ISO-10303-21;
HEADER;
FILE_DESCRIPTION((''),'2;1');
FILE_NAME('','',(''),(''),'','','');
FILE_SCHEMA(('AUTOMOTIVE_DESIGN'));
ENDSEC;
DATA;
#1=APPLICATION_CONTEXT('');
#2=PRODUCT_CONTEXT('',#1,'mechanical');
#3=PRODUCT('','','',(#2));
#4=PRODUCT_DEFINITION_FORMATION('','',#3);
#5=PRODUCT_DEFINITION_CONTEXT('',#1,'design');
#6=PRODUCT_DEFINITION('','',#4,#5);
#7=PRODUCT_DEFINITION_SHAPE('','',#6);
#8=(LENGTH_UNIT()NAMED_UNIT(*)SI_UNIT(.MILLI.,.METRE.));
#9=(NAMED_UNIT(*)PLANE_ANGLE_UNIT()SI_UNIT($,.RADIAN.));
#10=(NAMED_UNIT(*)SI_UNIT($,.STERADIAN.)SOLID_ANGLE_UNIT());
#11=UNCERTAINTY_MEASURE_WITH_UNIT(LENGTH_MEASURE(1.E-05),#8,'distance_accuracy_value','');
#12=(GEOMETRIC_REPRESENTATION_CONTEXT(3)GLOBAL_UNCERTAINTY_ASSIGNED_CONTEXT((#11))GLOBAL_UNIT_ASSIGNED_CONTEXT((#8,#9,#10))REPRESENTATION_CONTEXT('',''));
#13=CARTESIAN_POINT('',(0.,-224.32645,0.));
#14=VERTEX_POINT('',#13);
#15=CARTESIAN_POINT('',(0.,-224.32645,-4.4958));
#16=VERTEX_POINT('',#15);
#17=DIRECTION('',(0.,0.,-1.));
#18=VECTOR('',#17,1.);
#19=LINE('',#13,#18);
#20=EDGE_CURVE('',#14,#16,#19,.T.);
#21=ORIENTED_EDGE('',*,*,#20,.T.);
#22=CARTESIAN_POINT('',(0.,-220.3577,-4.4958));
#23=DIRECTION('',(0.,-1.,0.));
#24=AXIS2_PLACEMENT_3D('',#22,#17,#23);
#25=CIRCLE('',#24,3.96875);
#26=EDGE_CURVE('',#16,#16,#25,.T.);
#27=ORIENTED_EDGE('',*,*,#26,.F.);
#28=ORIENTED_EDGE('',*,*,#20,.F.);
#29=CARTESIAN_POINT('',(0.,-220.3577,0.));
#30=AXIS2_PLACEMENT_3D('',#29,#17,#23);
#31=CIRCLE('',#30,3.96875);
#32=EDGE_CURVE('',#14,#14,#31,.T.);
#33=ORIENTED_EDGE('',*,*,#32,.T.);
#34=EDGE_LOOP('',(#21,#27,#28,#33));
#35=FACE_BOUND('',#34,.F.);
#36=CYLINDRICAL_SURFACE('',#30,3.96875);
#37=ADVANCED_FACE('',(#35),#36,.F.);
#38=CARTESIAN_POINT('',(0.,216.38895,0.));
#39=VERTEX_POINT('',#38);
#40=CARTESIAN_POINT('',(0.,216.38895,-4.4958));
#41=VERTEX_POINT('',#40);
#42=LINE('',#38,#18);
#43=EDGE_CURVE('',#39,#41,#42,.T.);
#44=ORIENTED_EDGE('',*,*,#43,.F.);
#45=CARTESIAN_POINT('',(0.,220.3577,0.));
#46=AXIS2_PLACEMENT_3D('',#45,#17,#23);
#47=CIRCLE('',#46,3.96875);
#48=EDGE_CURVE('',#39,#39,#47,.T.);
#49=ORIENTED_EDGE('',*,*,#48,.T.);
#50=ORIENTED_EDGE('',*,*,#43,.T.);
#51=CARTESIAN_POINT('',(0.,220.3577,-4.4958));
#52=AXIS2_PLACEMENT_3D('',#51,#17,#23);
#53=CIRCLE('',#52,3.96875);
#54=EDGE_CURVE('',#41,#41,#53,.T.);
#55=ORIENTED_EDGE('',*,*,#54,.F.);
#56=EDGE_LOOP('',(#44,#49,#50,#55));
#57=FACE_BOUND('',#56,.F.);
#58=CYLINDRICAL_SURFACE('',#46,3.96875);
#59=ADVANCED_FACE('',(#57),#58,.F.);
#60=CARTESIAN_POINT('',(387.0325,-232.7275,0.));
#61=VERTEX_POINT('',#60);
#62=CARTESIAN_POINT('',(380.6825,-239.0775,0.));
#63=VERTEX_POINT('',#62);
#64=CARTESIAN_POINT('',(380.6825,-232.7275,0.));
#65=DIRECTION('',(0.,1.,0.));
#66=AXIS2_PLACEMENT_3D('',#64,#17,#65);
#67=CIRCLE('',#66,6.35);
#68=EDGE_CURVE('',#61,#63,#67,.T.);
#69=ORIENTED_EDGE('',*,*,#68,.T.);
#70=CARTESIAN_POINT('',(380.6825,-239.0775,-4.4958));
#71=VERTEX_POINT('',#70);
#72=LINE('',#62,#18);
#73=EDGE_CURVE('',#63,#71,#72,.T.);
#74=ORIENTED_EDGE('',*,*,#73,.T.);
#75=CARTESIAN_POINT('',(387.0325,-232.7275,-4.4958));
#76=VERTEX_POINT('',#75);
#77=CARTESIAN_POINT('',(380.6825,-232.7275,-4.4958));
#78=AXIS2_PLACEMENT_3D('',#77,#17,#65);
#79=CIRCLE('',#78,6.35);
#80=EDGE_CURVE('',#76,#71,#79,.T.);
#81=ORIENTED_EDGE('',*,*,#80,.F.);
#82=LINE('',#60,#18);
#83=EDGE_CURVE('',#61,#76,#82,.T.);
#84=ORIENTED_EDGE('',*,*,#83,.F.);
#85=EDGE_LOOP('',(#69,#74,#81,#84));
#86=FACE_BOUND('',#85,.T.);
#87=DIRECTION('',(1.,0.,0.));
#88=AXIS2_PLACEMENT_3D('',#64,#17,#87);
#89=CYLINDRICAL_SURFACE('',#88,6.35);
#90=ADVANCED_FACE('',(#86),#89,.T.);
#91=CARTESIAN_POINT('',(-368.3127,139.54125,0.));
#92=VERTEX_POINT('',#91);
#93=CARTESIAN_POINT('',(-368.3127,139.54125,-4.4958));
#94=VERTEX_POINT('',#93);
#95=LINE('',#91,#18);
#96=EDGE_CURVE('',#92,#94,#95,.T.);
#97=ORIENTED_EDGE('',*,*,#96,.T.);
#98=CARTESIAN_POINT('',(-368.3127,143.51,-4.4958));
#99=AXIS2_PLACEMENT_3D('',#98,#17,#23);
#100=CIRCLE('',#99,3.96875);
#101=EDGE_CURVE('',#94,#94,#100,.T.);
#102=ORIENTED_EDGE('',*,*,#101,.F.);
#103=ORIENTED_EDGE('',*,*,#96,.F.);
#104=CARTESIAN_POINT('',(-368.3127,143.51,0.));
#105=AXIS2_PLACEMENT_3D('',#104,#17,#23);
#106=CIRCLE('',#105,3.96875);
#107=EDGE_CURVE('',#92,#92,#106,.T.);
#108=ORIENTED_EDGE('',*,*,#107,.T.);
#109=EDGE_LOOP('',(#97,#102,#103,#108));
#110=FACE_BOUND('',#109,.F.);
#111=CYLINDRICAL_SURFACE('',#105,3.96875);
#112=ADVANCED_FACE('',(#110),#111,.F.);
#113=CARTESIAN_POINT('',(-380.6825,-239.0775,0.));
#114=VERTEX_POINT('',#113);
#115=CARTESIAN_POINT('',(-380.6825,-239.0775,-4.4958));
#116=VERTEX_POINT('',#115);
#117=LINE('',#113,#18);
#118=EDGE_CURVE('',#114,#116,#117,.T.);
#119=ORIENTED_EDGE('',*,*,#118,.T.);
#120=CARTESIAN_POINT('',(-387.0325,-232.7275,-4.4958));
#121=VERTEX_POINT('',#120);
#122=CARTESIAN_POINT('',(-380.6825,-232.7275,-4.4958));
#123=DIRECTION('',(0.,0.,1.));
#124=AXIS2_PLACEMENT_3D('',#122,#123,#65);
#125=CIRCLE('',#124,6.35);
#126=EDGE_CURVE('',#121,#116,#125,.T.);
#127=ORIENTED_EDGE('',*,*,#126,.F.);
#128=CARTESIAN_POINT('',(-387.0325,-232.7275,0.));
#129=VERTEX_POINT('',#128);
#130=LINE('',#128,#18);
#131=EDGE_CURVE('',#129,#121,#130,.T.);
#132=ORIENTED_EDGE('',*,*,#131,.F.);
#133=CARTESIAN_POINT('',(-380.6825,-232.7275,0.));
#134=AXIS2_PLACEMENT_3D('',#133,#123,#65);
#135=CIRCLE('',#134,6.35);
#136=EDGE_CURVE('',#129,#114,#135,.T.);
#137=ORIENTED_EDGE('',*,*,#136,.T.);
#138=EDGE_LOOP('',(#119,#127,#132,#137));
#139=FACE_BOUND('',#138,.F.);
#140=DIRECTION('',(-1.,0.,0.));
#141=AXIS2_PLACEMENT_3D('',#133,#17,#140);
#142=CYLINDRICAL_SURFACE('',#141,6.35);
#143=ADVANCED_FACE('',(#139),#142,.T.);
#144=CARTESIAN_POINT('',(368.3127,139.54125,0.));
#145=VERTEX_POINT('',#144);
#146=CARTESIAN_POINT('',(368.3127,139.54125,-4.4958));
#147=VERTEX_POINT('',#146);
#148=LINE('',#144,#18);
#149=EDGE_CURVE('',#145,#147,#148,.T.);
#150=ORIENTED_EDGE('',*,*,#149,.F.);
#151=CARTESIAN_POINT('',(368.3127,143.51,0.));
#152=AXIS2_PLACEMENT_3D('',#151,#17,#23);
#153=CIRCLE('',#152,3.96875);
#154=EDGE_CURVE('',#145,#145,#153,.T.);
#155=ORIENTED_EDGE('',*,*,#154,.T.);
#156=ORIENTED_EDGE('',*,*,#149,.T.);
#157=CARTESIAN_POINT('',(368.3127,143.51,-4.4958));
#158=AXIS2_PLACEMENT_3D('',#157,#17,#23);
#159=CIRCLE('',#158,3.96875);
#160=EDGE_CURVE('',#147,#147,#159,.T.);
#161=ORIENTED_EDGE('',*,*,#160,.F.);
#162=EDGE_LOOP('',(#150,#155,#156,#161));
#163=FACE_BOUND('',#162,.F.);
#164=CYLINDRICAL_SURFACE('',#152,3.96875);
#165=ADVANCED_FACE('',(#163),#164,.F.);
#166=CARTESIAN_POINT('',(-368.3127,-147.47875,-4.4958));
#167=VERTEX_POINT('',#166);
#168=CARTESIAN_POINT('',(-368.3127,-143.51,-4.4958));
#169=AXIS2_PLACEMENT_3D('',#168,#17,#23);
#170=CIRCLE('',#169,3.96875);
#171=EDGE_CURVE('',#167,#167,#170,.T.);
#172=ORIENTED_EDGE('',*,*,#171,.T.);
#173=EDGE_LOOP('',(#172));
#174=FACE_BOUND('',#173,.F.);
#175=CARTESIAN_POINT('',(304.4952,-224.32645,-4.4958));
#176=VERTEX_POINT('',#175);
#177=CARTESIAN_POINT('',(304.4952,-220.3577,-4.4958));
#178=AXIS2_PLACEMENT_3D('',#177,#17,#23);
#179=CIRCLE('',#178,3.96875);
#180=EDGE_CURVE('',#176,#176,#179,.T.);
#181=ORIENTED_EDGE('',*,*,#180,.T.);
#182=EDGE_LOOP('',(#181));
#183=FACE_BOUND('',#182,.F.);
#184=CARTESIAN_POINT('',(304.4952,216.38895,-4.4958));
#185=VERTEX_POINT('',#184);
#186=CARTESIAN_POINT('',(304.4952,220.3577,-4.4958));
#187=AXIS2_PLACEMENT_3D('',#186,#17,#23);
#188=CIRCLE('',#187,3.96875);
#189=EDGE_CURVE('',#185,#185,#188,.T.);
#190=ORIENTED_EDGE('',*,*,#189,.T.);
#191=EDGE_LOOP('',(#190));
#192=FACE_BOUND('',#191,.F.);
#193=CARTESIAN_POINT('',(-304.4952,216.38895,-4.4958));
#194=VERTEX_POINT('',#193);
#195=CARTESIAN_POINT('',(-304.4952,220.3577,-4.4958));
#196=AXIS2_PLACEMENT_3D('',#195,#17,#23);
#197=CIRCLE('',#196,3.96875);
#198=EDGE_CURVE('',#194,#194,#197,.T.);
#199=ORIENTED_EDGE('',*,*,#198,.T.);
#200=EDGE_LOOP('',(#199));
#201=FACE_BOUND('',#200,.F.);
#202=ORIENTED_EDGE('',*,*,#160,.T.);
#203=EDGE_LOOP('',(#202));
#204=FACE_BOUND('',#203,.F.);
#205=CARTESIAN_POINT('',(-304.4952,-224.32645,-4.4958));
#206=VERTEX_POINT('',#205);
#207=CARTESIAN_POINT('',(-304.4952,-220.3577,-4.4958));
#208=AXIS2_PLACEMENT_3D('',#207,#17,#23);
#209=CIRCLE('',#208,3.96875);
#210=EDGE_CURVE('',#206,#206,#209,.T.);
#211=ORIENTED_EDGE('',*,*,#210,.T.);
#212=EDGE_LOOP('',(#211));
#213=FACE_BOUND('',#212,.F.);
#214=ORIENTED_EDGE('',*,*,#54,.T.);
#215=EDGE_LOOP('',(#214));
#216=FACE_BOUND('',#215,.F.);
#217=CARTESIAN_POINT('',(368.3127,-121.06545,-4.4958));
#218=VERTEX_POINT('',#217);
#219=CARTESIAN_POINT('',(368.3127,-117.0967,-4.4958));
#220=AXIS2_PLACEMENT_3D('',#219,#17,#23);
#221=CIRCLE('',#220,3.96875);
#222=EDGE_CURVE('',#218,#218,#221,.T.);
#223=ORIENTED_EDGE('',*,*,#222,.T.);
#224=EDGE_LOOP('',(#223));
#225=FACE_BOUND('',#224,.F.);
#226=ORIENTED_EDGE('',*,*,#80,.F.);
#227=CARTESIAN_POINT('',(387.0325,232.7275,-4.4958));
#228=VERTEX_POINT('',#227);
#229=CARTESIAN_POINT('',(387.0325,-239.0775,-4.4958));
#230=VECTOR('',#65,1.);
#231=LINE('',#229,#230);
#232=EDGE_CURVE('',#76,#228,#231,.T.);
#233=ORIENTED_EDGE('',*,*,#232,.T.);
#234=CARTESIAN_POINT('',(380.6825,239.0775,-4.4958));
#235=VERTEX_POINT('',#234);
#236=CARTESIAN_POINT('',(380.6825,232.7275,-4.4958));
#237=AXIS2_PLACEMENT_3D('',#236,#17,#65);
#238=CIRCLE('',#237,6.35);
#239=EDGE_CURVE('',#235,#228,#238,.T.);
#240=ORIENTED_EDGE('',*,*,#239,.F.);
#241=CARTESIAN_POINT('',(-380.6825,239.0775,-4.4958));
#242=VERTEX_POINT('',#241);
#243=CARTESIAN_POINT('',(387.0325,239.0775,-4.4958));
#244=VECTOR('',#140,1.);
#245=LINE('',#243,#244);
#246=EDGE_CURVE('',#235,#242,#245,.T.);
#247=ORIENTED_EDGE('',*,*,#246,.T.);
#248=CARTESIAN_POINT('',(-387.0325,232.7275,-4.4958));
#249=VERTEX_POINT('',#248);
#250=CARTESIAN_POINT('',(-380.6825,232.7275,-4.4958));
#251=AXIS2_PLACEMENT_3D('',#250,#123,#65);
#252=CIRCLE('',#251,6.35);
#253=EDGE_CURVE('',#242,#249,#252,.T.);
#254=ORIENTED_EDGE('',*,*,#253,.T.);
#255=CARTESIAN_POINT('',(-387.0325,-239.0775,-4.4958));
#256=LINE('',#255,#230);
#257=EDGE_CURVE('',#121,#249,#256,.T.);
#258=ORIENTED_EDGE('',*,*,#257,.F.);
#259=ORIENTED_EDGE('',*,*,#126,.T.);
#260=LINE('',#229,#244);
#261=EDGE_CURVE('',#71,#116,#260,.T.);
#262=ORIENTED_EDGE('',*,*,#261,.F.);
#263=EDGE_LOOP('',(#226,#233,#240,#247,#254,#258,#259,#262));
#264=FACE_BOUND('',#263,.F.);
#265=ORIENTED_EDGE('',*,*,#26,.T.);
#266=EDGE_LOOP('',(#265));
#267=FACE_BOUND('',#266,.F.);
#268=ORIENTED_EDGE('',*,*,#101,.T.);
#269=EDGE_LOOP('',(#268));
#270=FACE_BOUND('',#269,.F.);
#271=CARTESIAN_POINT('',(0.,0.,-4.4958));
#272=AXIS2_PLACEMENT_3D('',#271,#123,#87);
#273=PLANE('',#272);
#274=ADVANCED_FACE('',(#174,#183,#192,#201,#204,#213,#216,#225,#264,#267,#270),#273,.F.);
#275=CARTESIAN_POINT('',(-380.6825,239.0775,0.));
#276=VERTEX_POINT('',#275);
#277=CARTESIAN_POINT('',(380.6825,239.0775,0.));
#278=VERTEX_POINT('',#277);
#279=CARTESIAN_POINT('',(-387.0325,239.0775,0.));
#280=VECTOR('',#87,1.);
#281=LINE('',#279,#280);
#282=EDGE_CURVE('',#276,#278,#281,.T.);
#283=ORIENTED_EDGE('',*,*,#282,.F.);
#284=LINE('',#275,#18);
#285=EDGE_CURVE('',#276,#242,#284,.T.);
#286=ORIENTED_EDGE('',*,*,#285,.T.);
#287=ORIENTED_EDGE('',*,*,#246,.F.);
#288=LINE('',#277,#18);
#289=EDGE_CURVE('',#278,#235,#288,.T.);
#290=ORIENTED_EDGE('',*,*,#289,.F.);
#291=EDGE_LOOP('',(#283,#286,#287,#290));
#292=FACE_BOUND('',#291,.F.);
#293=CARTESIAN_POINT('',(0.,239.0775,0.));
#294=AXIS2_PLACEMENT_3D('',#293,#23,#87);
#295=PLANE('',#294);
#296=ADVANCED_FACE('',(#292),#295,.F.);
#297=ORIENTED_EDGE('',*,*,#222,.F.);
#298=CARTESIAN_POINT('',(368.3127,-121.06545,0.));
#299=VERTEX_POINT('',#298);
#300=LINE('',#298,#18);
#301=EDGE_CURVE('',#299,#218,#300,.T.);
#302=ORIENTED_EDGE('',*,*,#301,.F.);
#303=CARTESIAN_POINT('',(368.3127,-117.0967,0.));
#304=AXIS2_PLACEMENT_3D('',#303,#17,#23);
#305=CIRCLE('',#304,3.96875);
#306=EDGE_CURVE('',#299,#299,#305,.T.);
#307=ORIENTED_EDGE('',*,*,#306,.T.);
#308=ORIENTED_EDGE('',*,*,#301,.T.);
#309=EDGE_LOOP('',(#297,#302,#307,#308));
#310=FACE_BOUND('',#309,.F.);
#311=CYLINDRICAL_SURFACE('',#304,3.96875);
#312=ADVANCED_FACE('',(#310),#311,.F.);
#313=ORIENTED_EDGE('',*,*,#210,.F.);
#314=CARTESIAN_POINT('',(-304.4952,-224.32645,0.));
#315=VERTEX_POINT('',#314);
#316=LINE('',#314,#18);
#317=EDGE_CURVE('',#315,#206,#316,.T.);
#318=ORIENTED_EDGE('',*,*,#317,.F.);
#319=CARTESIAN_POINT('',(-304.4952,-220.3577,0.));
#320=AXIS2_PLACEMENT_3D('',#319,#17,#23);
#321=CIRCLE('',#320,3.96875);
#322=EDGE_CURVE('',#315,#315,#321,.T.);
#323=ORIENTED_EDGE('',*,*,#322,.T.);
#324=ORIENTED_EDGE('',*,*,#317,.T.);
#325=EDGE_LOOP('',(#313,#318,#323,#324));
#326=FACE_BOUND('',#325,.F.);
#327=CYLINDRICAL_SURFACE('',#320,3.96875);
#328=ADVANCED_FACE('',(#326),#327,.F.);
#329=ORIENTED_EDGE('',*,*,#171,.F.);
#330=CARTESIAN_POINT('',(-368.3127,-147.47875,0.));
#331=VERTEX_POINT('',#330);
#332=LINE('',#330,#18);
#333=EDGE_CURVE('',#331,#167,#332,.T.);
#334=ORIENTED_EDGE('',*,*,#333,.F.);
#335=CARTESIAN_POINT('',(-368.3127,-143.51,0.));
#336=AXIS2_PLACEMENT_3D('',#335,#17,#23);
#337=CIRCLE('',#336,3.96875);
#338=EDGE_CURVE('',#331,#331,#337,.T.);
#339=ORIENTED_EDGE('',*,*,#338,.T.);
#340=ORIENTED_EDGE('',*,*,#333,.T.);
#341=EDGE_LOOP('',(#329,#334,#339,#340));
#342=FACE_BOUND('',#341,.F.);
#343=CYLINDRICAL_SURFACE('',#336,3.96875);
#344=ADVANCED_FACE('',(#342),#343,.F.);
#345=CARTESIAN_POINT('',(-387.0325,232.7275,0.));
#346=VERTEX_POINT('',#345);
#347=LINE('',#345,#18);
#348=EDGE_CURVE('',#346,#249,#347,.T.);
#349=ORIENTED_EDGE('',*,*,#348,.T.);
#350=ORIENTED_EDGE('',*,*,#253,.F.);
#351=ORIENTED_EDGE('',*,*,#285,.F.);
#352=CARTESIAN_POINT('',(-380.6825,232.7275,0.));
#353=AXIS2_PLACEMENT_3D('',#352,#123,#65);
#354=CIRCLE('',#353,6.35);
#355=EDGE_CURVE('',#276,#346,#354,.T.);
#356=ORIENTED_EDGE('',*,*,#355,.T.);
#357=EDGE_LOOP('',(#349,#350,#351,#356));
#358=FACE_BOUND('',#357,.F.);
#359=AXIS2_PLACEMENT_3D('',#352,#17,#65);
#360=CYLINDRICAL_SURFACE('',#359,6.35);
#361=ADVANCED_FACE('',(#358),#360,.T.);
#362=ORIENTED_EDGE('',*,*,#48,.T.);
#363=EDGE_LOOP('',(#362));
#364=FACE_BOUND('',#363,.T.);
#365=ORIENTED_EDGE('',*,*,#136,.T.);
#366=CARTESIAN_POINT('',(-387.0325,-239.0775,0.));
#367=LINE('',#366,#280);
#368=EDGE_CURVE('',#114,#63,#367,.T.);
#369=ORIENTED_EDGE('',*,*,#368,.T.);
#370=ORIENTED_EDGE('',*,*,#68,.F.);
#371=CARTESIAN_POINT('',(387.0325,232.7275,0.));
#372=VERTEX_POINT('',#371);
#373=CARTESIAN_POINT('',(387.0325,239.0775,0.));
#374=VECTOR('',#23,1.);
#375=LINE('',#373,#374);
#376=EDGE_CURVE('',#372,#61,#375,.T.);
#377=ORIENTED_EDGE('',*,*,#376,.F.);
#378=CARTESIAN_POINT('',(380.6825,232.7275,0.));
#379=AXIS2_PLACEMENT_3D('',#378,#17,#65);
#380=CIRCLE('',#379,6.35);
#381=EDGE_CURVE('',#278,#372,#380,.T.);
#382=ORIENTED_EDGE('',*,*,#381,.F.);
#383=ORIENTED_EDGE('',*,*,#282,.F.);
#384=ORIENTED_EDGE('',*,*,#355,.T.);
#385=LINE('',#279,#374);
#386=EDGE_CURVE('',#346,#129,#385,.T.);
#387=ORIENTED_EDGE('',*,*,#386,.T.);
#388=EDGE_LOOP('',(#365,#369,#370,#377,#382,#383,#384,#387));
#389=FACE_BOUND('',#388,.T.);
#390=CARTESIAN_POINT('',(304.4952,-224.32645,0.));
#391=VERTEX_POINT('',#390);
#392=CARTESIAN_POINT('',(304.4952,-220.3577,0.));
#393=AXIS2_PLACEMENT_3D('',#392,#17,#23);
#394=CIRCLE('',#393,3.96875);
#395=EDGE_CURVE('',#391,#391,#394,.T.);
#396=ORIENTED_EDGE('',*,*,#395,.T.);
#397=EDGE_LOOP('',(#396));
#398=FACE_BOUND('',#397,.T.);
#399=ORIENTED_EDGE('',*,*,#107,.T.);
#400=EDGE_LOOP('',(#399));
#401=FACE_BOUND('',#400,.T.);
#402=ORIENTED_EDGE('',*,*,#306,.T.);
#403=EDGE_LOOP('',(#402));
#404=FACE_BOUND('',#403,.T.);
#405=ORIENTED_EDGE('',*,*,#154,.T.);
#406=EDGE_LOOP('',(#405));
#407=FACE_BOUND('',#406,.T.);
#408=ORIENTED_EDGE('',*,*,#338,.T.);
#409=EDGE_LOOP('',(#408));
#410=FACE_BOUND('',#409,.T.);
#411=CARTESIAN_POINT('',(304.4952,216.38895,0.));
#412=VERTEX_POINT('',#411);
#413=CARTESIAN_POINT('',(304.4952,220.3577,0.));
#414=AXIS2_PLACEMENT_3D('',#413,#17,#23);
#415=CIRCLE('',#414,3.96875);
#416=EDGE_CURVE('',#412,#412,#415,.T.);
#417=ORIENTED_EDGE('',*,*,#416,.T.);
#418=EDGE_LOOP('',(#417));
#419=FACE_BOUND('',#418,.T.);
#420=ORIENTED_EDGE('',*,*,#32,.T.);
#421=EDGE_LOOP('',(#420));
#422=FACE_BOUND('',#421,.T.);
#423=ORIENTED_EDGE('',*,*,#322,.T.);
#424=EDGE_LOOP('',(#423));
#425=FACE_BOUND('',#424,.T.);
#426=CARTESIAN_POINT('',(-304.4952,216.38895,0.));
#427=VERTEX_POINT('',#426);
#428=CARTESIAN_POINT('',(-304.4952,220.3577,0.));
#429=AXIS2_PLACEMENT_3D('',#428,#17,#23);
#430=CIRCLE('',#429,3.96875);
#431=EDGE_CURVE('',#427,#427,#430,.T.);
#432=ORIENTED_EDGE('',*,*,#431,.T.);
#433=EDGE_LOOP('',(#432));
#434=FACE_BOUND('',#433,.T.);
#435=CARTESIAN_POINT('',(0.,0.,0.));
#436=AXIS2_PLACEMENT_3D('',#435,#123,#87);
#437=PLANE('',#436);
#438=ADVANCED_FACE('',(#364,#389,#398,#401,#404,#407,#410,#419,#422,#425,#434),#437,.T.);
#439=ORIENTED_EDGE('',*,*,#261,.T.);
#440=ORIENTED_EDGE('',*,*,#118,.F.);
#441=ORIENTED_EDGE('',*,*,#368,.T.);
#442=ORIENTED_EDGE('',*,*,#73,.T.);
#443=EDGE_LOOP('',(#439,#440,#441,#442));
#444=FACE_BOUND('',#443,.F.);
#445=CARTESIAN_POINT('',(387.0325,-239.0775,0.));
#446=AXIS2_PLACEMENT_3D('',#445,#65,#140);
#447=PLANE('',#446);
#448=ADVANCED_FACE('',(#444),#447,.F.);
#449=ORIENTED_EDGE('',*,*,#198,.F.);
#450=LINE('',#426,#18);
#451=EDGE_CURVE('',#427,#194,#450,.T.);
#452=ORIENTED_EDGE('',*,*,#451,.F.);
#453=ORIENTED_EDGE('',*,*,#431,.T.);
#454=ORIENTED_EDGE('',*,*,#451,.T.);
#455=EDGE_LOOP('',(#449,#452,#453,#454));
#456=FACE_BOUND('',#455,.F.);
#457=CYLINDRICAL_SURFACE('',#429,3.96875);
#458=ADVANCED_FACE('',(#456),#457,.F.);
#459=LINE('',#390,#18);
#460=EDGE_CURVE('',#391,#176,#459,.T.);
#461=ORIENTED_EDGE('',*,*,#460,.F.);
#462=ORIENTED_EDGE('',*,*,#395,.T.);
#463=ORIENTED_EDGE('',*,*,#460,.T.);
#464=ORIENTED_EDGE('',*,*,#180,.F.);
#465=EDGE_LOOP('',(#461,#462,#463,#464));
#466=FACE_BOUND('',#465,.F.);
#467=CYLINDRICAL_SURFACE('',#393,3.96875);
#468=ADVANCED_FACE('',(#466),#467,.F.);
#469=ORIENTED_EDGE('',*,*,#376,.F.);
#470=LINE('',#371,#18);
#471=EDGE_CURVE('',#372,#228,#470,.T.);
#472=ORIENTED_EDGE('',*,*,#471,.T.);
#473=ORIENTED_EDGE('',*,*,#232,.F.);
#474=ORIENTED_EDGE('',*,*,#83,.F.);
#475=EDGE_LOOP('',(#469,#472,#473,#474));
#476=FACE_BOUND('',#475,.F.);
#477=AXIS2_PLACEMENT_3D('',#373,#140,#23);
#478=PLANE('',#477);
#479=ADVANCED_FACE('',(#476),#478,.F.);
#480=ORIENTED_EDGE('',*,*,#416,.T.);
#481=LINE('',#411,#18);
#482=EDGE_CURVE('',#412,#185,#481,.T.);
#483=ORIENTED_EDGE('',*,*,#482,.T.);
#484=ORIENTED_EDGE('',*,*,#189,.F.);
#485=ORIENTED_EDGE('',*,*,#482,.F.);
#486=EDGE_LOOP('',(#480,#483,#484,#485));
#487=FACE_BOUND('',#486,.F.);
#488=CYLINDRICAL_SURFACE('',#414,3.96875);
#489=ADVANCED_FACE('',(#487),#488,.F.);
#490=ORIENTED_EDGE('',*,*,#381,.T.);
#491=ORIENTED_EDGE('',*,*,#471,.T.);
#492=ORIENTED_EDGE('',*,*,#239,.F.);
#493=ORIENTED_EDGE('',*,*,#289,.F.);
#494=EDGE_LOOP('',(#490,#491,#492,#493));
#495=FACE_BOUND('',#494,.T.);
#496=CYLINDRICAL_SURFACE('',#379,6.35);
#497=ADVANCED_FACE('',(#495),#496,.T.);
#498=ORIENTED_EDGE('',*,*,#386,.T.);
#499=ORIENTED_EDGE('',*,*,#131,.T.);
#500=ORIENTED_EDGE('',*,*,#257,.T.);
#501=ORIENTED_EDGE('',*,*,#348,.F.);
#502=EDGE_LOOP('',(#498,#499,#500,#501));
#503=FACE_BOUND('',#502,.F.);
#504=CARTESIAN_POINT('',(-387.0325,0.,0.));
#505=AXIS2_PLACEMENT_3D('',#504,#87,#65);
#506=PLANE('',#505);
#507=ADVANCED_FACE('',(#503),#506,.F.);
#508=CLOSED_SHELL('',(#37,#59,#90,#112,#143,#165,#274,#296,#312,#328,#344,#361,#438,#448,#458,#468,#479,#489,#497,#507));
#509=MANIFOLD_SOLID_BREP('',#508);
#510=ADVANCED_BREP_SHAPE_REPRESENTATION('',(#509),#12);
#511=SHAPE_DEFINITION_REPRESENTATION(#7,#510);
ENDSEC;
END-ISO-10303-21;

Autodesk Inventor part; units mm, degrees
ref_plane "YZ Plane" through (0, 0, 0) normal (1, 0, 0) x (0, 1, 0)
ref_plane "XZ Plane" through (0, 0, 0) normal (0, 1, 0) x (-1, 0, 0)
ref_plane "XY Plane" through (0, 0, 0) normal (0, 0, 1) x (1, 0, 0)
sketch "Sketch1" plane through (0, 0, 0) normal (0, 0, 1) x (1, 0, 0)
  line L0 (0, 334.7085) -> (0, -334.7085) projected
  line L1 (-541.8455, 0) -> (541.8455, 0) projected
  line L2 (387.0325, -239.0775) -> (-387.0325, -239.0775)
  line L3 (-387.0325, -239.0775) -> (-387.0325, 239.0775)
  line L4 (-387.0325, 239.0775) -> (387.0325, 239.0775)
  line L5 (387.0325, 239.0775) -> (387.0325, -239.0775)
  line L6 (387.0325, -239.0775) -> (-387.0325, 239.0775) construction
  line L7 (-387.0325, -239.0775) -> (387.0325, 239.0775) construction
  line L8 (368.3127, -220.3577) -> (-368.3127, -220.3577) construction
  line L9 (-368.3127, -220.3577) -> (-368.3127, 220.3577) construction
  line L10 (-368.3127, 220.3577) -> (368.3127, 220.3577) construction
  line L11 (368.3127, 220.3577) -> (368.3127, -220.3577) construction
  line L12 (368.3127, -220.3577) -> (-368.3127, 220.3577) construction
  line L13 (-368.3127, -220.3577) -> (368.3127, 220.3577) construction
  point P0 (0, 0)
  point P1 (-304.4952, 220.3577)
  point P2 (0, 220.3577)
  point P3 (304.4952, 220.3577)
  point P4 (-304.4952, -220.3577)
  point P5 (0, -220.3577)
  point P6 (304.4952, -220.3577)
  point P7 (-368.3127, 143.51)
  point P8 (-368.3127, -143.51)
  point P9 (368.3127, 143.51)
  point P10 (368.3127, -117.0967)
  dimension "d0" = 774.065
  dimension "d1" = 478.155
  dimension "d3" = 18.7198
  dimension "d4" = 18.7198
  dimension "d5" = 304.4952
  dimension "d6" = 304.4952
  dimension "d7" = 143.51
  dimension "d8" = 143.51
  dimension "d9" = 82.5373
  dimension "d10" = 95.5675
extrude "Extrusion1" add sketch "Sketch1" against normal blind 4.4958
hole "Hole1" at (-304.4952, 220.3577, 0) at (0, 220.3577, 0) at (304.4952, 220.3577, 0) at (-304.4952, -220.3577, 0) at (0, -220.3577, 0) at (304.4952, -220.3577, 0) at (-368.3127, 143.51, 0) at (-368.3127, -143.51, 0) at (368.3127, 143.51, 0) at (368.3127, -117.0967, 0) direction (0, 0, -1) diameter 7.9375 end through all
fillet "Fillet1" radius 6.35 4 edges at (387.0325, 239.0775, -2.2479) (387.0325, -239.0775, -2.2479) (-387.0325, -239.0775, -2.2479) (-387.0325, 239.0775, -2.2479)
properties material "ACRYLIC, CLEAR"
